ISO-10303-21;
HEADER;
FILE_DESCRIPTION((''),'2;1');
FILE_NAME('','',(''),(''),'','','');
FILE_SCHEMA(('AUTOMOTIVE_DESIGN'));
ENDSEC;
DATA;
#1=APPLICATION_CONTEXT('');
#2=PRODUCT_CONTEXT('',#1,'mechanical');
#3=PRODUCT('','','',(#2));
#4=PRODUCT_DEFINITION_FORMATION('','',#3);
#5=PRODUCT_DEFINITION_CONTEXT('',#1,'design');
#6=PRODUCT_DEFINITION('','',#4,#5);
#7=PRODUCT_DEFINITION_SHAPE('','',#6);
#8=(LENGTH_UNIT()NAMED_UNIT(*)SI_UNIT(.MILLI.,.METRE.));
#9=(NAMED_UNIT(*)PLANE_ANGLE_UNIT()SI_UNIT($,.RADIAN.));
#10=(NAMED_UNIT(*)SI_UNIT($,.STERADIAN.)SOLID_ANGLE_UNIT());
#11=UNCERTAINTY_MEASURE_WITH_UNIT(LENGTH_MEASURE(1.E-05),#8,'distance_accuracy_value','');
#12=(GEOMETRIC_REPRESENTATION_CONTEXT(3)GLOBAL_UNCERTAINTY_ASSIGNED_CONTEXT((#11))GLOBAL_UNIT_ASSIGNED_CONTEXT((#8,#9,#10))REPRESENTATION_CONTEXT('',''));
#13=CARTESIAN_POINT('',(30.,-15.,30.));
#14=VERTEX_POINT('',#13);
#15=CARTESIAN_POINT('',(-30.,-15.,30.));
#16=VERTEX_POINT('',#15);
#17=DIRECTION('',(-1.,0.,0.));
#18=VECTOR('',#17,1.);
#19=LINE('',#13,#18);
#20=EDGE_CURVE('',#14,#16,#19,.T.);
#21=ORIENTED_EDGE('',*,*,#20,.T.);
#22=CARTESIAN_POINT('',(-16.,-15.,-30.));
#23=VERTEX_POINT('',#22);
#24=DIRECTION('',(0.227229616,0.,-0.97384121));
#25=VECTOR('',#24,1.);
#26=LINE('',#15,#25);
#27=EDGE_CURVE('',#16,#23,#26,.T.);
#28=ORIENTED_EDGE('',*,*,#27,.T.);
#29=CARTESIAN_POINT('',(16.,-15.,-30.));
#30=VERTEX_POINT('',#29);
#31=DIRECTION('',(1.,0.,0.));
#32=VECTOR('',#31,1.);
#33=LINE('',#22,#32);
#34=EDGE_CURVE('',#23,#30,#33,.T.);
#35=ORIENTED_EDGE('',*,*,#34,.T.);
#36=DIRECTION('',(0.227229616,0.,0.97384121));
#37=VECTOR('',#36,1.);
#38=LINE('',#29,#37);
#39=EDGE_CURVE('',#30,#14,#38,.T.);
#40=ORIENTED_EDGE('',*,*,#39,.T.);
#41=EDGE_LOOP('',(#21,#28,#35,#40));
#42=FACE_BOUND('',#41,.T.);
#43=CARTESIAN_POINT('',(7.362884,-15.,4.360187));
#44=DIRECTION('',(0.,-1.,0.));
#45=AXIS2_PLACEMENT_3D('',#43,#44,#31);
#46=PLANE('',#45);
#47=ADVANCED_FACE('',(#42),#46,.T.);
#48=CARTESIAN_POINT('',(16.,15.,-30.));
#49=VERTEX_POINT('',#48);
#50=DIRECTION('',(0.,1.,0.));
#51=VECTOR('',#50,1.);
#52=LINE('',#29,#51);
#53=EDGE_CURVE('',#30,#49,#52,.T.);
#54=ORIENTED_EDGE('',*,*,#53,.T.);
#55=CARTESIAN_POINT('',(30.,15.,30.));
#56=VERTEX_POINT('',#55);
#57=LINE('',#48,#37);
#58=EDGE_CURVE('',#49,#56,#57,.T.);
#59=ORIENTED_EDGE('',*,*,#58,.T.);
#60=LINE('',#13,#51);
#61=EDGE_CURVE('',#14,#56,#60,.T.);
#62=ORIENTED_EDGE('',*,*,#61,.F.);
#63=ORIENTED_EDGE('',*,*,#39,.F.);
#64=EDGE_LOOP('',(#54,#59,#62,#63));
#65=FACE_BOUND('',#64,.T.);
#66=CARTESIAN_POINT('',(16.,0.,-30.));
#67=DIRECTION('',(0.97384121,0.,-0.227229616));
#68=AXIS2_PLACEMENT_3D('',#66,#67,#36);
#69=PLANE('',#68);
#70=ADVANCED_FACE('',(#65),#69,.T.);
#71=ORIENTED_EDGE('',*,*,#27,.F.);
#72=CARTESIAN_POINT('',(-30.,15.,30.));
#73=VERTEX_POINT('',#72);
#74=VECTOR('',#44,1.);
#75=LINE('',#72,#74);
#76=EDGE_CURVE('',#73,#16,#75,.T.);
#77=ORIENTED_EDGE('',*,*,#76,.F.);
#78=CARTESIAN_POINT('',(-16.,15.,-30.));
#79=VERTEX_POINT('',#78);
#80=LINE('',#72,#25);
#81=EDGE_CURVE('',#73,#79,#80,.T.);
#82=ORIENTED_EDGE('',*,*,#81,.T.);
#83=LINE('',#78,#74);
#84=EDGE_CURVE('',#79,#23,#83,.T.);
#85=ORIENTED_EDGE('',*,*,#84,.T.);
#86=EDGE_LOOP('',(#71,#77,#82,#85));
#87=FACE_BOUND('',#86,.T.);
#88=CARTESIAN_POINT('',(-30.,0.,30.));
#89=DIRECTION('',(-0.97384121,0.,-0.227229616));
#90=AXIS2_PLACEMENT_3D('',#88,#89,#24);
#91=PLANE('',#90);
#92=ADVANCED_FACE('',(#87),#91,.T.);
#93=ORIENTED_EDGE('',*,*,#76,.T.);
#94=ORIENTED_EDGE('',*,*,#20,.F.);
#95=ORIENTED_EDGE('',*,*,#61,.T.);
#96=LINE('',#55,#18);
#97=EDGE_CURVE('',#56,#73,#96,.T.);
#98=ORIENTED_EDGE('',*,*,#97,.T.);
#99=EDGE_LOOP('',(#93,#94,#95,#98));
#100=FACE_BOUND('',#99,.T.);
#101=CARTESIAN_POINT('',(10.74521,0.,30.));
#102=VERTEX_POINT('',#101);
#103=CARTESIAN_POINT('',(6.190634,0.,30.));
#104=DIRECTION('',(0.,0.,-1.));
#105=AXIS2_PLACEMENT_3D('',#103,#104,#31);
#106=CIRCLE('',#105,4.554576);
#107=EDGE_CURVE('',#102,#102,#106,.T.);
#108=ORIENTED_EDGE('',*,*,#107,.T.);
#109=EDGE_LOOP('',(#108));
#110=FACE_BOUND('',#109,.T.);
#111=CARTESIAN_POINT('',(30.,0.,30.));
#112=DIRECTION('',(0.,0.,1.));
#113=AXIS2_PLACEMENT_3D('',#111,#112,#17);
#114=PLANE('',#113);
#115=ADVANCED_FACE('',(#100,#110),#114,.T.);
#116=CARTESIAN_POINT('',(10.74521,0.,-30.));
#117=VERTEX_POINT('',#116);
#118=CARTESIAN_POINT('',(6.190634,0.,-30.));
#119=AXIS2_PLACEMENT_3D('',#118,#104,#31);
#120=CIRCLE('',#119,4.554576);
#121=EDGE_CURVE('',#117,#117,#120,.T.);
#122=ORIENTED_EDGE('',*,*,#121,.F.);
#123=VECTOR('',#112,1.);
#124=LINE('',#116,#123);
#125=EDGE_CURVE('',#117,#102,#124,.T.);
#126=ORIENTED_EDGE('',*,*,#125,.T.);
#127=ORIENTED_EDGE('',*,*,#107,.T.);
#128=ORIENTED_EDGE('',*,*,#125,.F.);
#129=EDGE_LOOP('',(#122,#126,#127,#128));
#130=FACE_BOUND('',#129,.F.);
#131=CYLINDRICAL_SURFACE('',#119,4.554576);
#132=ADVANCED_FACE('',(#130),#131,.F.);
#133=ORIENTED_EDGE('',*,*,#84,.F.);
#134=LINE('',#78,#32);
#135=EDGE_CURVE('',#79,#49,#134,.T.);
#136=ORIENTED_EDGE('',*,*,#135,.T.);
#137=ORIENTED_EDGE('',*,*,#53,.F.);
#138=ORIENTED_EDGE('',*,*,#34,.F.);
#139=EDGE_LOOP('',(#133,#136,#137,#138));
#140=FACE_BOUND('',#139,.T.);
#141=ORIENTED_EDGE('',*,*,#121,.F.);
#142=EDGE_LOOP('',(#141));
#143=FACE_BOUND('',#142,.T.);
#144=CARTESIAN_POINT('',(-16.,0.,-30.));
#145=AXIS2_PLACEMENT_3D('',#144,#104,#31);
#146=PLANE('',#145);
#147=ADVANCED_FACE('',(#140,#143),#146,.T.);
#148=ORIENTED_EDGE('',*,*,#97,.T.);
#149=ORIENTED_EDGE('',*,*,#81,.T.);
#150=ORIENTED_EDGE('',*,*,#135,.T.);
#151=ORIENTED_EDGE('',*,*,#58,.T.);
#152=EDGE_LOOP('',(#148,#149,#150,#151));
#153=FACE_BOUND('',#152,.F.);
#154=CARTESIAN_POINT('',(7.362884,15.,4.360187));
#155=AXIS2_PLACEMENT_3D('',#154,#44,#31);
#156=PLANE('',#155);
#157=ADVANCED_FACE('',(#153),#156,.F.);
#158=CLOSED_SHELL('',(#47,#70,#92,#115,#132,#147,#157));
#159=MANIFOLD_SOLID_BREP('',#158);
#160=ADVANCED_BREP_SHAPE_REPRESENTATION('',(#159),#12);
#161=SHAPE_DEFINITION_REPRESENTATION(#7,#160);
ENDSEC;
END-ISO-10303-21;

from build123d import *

# Parameters (mm, degrees)
F1_DEPTH      = 15
F1_DEPTH_BACK = 15
F2_R          = 4.554576
F3_DEPTH      = 65.6


with BuildPart() as f1:
    # F0 (on Front) → F1 (new body, two sides)
    with BuildSketch(Plane.XZ) as f1_sk:
        Polygon((30, 30), (-14.883985, 30), (-1.883985, -30), (16, -30), align=None)
        Polygon((-14.883985, 30), (-25.116015, 30), (-12.116015, -30), (-1.883985, -30), align=None)
        Polygon((-25.116015, 30), (-30, 30), (-16, -30), (-12.116015, -30), align=None)
    extrude(amount=F1_DEPTH)
    extrude(f1_sk.sketch, amount=-F1_DEPTH_BACK)

    # F2 (on face) → F3 (cut)
    with BuildSketch(Plane(origin=(0, 0, -30), x_dir=(1, 0, 0), z_dir=(0, 0, -1))):
        with Locations((6.190634, 0)):
            Circle(F2_R)
    extrude(amount=-F3_DEPTH, mode=Mode.SUBTRACT)


solid = f1.part
